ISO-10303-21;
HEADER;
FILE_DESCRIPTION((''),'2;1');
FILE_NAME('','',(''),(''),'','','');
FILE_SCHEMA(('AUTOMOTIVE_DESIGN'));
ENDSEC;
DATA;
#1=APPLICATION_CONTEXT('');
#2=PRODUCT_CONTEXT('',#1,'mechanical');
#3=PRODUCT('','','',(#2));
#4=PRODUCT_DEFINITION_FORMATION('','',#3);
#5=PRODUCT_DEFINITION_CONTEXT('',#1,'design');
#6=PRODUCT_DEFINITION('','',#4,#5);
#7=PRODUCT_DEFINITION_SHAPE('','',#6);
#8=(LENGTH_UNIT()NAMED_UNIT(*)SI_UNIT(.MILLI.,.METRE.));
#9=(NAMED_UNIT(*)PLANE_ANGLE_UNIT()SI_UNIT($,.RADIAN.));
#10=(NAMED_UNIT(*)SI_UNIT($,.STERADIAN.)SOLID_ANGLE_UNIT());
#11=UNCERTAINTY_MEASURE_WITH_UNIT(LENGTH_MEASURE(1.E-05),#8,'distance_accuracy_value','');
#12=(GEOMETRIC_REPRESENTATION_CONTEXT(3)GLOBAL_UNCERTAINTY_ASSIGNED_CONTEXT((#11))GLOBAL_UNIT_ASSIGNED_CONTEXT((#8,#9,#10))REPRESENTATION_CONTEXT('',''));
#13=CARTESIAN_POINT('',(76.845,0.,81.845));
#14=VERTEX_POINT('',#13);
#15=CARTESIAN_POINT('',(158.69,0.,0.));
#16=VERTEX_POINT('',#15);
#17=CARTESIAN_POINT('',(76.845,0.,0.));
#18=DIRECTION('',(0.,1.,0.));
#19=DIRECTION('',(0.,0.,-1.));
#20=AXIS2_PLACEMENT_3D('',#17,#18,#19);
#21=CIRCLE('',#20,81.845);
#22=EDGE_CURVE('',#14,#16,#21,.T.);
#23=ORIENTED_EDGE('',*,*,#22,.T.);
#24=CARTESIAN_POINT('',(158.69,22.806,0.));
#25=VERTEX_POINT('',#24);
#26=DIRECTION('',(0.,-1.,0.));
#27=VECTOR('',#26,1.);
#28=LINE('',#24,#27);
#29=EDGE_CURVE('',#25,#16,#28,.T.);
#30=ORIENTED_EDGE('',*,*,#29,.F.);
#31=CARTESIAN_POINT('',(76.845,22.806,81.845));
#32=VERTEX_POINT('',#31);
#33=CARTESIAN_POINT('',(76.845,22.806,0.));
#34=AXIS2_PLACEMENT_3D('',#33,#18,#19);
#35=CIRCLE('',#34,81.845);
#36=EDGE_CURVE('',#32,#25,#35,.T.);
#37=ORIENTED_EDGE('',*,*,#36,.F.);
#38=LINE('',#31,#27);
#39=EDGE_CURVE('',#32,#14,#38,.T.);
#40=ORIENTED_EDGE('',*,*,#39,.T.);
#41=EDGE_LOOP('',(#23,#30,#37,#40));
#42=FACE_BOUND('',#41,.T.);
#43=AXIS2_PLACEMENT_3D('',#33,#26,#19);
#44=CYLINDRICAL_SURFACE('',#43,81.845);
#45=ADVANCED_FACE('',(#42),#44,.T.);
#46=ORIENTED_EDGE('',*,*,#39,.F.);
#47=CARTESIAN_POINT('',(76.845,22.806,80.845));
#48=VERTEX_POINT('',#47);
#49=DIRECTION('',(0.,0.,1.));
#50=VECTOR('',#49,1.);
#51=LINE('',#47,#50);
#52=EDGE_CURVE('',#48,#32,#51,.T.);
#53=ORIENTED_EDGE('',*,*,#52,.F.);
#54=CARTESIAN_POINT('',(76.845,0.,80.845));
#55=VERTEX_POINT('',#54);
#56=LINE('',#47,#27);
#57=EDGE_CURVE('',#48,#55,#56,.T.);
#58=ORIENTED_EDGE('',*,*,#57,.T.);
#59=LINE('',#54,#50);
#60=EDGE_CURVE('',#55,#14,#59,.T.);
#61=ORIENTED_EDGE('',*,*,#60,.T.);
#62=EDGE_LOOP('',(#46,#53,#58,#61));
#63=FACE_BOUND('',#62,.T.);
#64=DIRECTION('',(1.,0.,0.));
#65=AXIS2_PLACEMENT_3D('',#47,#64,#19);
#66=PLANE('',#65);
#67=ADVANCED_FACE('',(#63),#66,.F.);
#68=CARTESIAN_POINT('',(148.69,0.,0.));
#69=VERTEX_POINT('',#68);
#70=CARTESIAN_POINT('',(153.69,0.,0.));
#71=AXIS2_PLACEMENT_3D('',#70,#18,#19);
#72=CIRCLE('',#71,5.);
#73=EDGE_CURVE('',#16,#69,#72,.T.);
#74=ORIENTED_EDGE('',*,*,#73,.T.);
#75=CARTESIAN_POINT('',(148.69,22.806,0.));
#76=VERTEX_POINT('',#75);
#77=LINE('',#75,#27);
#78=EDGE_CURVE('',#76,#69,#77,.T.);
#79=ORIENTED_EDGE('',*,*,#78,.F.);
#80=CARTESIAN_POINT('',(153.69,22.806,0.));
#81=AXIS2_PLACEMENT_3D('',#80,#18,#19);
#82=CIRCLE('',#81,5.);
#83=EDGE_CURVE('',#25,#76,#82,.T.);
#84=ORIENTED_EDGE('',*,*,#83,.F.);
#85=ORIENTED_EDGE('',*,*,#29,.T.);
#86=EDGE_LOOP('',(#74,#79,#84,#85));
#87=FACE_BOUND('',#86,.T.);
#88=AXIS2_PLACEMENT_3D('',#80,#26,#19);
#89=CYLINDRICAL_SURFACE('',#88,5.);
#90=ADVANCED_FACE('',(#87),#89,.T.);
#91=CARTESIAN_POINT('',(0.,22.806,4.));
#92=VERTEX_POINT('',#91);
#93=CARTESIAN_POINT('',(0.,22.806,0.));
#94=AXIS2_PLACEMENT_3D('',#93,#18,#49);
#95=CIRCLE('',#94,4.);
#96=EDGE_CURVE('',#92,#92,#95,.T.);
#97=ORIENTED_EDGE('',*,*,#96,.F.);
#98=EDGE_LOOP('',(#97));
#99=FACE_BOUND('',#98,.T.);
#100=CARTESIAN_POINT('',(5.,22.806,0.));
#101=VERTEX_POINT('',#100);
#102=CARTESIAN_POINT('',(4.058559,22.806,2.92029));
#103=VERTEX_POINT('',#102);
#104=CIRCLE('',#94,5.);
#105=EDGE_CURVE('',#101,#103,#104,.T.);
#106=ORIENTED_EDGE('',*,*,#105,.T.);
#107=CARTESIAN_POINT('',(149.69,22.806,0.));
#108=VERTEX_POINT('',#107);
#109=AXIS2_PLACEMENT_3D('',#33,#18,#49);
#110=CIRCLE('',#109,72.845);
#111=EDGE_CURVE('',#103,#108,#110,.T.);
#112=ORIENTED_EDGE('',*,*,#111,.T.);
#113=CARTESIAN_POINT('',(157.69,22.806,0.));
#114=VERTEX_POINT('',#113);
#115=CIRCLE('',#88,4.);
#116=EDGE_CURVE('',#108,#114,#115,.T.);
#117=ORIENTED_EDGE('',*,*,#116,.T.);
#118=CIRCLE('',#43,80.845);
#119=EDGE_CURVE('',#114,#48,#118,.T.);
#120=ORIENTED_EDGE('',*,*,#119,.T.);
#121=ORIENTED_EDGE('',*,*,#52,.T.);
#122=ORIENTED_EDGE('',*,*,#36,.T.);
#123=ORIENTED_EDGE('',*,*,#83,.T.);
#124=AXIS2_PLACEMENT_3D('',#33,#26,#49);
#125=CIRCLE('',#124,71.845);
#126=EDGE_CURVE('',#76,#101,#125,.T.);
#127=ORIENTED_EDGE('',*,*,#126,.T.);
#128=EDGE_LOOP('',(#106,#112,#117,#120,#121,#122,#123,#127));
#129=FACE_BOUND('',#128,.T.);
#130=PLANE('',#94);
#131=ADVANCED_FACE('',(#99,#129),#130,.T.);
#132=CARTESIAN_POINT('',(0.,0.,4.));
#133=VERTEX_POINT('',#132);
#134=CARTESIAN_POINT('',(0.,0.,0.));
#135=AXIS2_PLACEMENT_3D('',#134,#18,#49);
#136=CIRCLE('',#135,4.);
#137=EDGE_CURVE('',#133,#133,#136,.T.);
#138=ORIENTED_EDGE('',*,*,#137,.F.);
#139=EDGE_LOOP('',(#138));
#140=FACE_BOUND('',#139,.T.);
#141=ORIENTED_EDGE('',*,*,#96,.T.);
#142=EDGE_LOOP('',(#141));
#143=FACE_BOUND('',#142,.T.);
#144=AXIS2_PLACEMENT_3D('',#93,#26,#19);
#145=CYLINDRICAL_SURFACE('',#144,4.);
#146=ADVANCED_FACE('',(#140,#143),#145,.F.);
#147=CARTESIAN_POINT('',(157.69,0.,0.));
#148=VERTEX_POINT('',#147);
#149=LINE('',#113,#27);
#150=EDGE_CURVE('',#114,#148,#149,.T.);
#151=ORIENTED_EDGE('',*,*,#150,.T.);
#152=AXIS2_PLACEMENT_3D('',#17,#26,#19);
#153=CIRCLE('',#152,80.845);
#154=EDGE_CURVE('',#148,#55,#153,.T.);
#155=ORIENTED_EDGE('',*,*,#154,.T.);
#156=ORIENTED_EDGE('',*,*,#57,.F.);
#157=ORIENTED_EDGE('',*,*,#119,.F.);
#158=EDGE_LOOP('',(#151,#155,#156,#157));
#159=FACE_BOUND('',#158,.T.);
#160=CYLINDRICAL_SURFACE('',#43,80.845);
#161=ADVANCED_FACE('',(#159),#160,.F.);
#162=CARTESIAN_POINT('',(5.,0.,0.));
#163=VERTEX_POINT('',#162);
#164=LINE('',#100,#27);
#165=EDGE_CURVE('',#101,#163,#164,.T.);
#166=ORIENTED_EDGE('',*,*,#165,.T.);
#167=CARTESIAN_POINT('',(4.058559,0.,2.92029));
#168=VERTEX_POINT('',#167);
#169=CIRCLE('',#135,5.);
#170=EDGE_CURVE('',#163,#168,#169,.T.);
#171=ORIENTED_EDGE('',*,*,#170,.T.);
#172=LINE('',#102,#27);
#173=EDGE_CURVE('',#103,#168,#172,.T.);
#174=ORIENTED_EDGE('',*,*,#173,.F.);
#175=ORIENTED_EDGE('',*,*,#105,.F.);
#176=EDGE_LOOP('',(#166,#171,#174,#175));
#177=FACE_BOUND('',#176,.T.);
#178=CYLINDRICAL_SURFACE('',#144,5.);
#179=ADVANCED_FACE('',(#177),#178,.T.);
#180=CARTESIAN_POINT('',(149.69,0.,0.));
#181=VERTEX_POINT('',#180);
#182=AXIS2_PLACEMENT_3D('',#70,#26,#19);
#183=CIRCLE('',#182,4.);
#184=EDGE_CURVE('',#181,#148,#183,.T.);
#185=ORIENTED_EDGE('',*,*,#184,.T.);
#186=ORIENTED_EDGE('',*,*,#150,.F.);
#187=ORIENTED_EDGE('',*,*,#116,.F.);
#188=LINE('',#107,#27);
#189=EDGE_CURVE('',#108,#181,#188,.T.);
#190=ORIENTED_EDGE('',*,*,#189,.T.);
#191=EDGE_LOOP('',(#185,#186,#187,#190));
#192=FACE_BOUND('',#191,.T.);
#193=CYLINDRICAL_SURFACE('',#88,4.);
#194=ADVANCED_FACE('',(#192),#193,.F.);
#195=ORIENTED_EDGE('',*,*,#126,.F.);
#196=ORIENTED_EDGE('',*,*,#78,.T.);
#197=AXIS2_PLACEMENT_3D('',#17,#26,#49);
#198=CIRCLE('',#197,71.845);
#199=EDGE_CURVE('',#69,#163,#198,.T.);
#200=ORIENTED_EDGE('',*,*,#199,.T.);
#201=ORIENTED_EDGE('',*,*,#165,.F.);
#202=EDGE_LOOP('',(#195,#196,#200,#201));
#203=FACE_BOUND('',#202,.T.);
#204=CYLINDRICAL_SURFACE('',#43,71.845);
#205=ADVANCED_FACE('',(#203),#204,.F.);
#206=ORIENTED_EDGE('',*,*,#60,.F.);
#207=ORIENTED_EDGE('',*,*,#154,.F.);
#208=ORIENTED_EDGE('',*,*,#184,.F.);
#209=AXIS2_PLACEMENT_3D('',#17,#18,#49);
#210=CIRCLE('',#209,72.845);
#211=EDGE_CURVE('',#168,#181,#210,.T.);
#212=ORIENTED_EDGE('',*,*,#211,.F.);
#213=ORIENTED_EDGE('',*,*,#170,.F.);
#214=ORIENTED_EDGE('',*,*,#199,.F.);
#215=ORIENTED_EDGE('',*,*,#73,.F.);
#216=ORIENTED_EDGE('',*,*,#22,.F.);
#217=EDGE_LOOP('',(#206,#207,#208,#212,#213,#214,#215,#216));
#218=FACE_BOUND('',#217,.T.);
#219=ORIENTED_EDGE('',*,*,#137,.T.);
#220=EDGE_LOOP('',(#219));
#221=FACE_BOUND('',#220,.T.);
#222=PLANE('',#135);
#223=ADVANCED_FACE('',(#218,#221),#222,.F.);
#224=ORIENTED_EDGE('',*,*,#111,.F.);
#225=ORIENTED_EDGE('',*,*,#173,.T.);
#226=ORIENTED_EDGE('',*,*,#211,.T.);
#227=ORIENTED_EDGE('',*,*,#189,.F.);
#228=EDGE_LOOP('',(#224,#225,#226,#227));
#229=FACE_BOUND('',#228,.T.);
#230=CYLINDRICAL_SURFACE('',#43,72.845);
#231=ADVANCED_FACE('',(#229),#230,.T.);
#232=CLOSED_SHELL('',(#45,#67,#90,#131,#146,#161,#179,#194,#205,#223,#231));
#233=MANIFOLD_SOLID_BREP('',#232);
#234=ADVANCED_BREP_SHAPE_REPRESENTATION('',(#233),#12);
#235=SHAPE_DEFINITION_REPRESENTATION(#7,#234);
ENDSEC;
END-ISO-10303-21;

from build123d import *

# Parameters (mm, degrees)
SKETCH1_R           = 4
BOSS_EXTRUDE1_DEPTH = 22.806


with BuildPart() as part:
    # Sketch1 → Boss-Extrude1 (new body)
    with BuildSketch(Plane(origin=(0, 0, 0), x_dir=(1, 0, 0), z_dir=(0, 1, 0))):
        with BuildLine():
            Line((76.845, -80.845), (76.845, -81.845))
            ThreePointArc((76.845, -81.845), (134.718154506, -57.873154506), (158.69, 0))
            ThreePointArc((158.69, 0), (153.69, 5), (148.69, 0))
            ThreePointArc((148.69, 0), (76.845, -71.845), (5, 0))
            ThreePointArc((5, 0), (-4.758823236, 1.534145171), (4.058559438, -2.920290275))
            ThreePointArc((4.058559438, -2.920290275), (78.305438675, -72.830358669), (149.69, 0))
            ThreePointArc((149.69, 0), (153.69, 4), (157.69, 0))
            ThreePointArc((157.69, 0), (134.011047725, -57.166047725), (76.845, -80.845))
        make_face()
        with Locations(Location((0, 0, 0), (0, 0, 270))):
            Circle(SKETCH1_R, mode=Mode.SUBTRACT)
    extrude(amount=BOSS_EXTRUDE1_DEPTH)


solid = part.part
